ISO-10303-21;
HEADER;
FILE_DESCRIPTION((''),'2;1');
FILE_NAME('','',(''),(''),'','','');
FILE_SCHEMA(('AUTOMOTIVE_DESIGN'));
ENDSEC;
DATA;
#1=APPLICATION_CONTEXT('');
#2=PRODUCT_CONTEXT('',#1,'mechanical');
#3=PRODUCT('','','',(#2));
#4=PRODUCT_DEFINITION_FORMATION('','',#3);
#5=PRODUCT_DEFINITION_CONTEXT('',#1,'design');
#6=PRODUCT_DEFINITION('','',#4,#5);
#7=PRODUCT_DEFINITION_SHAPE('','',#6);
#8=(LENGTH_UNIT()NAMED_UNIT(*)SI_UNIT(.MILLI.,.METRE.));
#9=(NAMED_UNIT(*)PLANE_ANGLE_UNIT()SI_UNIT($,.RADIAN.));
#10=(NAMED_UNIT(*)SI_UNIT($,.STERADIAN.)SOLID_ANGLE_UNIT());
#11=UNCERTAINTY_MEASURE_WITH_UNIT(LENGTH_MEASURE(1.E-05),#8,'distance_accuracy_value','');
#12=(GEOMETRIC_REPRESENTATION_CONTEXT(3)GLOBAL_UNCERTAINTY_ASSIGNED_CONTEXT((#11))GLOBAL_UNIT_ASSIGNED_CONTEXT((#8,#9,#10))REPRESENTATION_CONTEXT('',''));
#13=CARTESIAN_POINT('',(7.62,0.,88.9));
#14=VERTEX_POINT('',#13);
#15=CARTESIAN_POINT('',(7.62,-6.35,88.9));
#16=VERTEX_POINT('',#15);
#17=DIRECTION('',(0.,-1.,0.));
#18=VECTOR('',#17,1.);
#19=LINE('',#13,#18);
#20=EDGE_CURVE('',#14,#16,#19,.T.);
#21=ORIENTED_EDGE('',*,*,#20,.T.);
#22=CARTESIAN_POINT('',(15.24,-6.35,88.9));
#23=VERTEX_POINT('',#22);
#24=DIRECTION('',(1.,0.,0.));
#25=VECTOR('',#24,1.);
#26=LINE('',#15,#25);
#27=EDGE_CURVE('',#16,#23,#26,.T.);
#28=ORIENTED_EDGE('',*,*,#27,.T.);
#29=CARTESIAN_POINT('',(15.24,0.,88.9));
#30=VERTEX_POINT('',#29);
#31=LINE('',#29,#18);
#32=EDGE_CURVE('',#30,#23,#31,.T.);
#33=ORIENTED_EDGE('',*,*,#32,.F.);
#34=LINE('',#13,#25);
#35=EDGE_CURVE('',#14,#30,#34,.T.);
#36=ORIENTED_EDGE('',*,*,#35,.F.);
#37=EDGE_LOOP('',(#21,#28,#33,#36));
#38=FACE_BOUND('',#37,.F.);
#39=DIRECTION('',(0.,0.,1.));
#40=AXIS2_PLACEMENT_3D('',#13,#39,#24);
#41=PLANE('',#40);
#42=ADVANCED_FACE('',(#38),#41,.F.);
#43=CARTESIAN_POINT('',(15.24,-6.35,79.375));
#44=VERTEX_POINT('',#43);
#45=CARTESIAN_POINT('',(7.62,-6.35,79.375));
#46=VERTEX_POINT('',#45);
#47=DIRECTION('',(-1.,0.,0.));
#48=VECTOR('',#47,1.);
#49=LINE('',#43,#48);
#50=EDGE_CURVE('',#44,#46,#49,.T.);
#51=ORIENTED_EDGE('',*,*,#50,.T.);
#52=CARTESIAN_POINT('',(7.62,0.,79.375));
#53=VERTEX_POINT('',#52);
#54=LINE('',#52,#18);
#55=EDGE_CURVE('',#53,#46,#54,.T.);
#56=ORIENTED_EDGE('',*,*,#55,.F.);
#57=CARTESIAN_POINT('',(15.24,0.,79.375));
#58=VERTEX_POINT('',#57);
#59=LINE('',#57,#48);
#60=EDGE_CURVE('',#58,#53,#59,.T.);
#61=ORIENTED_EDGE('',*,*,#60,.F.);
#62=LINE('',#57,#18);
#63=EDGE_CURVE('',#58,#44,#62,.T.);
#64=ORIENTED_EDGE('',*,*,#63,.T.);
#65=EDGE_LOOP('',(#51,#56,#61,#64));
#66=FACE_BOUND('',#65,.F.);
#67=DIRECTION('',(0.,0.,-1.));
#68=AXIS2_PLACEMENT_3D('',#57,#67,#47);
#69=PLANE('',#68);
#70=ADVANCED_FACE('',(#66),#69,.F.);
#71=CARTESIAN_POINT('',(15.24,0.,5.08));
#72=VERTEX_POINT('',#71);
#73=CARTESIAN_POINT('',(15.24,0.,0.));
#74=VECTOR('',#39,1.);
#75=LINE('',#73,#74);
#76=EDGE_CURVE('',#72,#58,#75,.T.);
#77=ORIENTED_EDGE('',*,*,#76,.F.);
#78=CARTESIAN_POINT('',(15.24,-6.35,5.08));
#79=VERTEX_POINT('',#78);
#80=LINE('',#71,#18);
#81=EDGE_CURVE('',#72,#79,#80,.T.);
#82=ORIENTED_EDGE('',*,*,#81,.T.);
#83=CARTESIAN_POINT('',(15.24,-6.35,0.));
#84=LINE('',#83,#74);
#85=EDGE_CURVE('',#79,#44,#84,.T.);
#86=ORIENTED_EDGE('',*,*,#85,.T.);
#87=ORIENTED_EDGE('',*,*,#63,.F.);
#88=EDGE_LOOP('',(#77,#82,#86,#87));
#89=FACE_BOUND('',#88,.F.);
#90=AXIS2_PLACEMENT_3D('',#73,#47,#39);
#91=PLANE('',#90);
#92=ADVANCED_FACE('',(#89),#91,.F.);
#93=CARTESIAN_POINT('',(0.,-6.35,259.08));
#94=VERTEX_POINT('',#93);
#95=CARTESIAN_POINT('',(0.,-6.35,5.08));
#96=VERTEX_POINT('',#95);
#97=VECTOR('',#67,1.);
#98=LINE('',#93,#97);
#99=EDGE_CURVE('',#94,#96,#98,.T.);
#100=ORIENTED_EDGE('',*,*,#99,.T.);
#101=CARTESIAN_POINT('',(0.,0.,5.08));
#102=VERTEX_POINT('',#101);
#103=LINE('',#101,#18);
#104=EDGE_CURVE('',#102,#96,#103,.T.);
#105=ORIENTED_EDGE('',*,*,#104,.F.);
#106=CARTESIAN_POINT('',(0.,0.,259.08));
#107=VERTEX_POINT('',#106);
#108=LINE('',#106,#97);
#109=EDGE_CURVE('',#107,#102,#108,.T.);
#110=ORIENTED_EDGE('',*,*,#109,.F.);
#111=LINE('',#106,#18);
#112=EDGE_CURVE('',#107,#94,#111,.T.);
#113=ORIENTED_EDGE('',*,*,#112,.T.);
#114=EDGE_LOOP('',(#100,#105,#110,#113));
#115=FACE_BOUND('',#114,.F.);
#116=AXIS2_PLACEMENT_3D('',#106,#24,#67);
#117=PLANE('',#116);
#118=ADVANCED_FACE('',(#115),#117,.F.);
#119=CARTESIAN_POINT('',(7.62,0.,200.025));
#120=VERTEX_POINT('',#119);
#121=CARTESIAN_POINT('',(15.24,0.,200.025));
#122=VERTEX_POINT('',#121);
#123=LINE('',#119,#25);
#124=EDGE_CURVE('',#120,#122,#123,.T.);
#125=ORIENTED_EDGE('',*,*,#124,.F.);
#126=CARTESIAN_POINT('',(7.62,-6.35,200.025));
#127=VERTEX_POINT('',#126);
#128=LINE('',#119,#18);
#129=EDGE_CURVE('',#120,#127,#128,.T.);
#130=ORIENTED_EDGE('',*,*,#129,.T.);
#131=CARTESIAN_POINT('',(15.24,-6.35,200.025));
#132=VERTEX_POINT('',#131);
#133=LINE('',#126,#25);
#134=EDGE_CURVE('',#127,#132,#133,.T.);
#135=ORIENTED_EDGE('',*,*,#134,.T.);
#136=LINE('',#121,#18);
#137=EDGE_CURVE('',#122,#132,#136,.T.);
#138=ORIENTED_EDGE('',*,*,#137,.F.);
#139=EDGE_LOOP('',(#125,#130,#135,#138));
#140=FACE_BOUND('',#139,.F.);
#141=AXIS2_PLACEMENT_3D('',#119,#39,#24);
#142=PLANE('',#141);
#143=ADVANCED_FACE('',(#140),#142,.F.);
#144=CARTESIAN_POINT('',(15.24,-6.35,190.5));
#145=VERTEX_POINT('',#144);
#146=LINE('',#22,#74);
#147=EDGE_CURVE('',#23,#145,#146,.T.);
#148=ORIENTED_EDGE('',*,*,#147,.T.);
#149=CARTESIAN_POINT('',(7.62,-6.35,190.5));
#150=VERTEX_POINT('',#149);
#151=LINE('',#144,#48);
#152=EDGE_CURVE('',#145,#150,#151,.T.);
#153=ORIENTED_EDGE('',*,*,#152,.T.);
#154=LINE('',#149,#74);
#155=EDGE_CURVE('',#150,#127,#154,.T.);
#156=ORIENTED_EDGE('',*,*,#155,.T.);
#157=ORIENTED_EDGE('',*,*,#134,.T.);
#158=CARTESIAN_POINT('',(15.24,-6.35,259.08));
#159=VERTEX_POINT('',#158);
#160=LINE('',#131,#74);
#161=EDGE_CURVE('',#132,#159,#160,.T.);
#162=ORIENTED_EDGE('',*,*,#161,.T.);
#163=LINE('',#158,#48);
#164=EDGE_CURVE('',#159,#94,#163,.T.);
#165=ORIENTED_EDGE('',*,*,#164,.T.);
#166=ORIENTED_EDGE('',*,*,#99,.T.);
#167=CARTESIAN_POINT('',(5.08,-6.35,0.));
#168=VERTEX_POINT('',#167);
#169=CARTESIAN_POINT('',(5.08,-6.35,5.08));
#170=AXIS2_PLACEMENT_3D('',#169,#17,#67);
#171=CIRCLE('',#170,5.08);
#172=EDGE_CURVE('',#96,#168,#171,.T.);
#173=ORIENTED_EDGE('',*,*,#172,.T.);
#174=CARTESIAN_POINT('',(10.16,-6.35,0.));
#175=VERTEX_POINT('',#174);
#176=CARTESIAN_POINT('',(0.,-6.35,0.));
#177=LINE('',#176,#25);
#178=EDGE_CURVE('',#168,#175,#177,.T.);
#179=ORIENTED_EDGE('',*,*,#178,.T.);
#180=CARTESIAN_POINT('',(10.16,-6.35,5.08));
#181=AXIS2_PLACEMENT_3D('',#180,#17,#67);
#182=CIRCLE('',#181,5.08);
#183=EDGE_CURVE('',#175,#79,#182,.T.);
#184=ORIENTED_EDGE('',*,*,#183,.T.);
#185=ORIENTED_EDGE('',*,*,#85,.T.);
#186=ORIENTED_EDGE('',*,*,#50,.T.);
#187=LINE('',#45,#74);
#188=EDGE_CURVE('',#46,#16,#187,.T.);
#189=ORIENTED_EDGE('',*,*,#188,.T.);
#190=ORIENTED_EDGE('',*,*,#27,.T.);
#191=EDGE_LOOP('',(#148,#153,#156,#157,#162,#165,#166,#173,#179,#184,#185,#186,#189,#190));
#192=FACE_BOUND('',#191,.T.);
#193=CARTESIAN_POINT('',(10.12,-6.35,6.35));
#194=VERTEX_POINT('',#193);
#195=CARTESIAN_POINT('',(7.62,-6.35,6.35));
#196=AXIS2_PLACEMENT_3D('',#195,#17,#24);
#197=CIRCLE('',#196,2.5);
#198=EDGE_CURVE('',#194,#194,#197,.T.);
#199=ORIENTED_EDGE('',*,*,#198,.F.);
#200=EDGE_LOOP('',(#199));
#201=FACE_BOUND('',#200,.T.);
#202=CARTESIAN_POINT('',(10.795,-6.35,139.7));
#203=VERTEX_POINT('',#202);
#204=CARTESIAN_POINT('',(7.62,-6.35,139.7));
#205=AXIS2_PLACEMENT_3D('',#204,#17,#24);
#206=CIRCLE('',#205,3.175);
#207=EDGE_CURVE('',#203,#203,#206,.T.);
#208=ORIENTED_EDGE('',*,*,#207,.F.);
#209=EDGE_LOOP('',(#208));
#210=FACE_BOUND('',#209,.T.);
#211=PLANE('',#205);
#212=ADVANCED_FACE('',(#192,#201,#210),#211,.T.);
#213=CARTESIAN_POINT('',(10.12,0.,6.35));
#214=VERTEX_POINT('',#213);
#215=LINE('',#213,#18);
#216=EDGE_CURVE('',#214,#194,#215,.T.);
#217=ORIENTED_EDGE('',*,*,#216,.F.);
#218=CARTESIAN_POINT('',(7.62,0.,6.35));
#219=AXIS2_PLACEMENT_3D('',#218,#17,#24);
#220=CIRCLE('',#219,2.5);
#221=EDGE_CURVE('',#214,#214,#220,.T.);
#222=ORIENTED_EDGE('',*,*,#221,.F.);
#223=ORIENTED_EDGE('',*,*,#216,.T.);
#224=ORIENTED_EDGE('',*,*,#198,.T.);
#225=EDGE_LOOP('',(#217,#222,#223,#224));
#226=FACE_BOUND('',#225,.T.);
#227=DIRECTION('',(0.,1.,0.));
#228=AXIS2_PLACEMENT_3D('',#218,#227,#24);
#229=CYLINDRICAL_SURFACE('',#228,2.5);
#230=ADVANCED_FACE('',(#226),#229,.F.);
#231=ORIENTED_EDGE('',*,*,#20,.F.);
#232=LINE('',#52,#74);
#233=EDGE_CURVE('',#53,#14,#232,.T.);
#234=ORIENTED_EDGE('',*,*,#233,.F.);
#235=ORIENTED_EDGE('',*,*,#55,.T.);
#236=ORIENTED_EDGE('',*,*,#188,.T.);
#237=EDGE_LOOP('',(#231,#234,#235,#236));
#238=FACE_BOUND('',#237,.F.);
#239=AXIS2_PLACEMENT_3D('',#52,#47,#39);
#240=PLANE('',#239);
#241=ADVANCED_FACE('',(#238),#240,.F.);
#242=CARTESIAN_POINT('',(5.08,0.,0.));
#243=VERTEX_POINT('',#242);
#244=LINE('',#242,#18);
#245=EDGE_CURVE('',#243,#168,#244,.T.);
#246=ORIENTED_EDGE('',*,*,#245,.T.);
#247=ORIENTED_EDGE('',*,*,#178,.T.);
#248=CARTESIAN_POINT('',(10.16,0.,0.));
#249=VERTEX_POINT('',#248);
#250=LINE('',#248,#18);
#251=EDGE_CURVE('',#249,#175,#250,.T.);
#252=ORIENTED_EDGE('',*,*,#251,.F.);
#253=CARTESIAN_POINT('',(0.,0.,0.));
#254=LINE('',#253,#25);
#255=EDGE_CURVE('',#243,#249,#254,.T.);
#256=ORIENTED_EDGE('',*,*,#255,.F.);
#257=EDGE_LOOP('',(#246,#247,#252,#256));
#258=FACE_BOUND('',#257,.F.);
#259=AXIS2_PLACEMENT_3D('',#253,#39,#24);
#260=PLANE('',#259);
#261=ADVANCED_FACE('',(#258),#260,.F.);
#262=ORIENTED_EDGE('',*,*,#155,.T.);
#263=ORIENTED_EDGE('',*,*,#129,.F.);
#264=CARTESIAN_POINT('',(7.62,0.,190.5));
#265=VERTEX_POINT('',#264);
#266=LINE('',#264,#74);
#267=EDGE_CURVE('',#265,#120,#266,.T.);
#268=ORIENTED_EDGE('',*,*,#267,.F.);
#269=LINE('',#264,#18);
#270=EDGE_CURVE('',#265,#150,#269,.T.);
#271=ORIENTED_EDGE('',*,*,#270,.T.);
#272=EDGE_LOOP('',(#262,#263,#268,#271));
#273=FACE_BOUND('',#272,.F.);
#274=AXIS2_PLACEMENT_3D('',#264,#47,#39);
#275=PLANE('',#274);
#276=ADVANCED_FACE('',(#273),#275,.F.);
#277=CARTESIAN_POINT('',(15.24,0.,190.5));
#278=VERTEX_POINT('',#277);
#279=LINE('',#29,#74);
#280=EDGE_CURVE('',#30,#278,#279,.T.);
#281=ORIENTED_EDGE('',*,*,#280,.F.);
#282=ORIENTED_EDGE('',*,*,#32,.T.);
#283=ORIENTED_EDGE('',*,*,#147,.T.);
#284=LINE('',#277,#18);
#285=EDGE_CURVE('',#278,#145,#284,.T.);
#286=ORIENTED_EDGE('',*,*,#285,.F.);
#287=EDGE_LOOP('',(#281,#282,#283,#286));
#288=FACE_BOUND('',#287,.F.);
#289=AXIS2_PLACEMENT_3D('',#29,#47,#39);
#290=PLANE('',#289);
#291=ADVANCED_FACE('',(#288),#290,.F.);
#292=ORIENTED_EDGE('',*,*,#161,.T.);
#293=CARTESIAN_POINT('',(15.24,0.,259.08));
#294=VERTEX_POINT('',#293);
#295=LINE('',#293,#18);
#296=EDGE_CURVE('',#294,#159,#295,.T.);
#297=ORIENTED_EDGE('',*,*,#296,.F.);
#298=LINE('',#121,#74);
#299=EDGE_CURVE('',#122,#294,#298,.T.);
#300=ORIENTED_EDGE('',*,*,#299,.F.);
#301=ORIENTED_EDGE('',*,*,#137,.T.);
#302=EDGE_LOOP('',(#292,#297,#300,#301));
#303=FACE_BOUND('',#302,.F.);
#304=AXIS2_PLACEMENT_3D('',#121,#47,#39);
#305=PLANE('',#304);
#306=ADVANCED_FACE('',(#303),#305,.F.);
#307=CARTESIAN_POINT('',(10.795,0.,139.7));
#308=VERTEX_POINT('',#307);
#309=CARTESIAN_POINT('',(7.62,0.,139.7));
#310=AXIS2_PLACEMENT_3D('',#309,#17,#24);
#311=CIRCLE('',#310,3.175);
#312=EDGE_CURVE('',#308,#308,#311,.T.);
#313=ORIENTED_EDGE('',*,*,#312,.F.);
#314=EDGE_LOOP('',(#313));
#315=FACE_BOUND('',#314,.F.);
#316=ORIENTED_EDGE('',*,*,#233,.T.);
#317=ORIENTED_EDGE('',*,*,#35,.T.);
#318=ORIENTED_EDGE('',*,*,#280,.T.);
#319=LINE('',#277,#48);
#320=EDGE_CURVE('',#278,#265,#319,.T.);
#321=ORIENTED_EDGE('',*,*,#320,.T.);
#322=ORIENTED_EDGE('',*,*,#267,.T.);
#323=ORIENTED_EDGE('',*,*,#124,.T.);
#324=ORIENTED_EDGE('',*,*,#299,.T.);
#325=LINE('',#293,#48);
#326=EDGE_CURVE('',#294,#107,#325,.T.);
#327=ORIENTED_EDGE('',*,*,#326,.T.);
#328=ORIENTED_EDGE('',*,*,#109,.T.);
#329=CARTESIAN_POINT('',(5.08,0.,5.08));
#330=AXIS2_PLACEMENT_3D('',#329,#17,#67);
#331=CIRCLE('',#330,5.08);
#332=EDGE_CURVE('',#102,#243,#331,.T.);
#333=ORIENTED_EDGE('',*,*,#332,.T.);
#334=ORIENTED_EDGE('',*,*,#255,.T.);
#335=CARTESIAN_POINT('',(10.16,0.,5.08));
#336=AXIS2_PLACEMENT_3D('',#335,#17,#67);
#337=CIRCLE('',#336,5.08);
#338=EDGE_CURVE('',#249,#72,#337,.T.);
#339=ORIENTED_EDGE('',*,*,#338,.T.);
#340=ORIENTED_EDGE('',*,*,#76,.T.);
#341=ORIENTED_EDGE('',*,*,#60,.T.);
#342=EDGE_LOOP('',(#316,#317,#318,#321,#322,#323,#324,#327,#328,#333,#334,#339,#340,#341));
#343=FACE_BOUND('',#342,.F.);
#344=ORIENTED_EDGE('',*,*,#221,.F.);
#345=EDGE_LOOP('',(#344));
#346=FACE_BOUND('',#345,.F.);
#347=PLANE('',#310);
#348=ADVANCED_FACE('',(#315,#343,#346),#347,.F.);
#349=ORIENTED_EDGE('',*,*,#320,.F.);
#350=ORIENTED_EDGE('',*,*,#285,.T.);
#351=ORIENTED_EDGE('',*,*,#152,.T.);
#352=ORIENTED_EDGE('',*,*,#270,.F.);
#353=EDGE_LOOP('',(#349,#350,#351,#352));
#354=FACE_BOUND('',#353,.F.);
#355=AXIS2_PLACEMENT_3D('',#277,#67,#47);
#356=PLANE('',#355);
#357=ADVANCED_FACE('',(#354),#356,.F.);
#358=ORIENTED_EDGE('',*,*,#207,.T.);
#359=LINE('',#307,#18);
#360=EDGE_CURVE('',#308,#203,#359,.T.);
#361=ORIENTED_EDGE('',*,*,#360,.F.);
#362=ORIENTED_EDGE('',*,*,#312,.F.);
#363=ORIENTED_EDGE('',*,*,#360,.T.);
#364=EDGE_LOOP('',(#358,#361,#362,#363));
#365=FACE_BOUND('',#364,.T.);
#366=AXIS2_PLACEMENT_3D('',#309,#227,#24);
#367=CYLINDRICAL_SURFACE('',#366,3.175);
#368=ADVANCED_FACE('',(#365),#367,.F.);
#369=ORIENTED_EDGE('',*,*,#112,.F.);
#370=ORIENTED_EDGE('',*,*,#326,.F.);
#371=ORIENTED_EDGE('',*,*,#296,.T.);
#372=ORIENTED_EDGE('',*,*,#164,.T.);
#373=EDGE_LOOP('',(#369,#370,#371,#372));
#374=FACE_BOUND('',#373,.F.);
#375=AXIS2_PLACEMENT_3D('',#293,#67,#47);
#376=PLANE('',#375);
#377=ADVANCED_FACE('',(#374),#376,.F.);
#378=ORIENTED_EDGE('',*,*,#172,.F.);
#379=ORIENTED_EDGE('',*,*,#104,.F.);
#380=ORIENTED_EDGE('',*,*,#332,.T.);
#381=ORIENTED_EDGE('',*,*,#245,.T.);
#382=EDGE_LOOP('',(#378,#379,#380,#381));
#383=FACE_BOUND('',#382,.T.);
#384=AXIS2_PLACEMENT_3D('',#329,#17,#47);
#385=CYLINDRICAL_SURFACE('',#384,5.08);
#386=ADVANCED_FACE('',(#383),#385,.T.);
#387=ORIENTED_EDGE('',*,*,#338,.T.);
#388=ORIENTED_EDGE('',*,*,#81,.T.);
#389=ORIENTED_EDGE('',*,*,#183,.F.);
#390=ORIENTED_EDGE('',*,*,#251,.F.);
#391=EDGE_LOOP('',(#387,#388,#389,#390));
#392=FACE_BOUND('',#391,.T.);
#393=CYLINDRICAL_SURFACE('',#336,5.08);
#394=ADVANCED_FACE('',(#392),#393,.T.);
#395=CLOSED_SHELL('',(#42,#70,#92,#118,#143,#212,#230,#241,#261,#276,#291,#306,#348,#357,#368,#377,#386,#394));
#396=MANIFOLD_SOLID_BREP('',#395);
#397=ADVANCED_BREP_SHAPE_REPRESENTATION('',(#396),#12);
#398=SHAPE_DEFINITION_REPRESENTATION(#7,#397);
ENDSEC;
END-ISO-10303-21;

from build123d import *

# Parameters (mm, degrees)
F0_R     = 3.175
F0_R_2   = 2.5
F1_DEPTH = 6.35
F2_R     = 5.08


with BuildPart() as f1:
    # F0 (on Front) → F1 (new body)
    with BuildSketch(Plane.XZ):
        with Locations((7.62, 139.7)):
            Circle(F0_R)
        Polygon((0, 259.08), (0, 0), (15.24, 0), (15.24, 79.375), (7.62, 79.375), (7.62, 88.9), (15.24, 88.9), (15.24, 139.7), (15.24, 190.5), (7.62, 190.5), (7.62, 200.025), (15.24, 200.025), (15.24, 259.08), align=None)
        with Locations((7.62, 6.35)):
            Circle(F0_R_2, mode=Mode.SUBTRACT)
        with Locations((7.62, 139.7)):
            Circle(F0_R, mode=Mode.SUBTRACT)
    extrude(amount=F1_DEPTH)

    # F2
    f2_edges = [f1.edges().sort_by_distance(p)[0] for p in [
        (15.24, -3.175, 0),
        (0, -3.175, 0),
    ]]
    fillet(f2_edges, radius=F2_R)


solid = f1.part
